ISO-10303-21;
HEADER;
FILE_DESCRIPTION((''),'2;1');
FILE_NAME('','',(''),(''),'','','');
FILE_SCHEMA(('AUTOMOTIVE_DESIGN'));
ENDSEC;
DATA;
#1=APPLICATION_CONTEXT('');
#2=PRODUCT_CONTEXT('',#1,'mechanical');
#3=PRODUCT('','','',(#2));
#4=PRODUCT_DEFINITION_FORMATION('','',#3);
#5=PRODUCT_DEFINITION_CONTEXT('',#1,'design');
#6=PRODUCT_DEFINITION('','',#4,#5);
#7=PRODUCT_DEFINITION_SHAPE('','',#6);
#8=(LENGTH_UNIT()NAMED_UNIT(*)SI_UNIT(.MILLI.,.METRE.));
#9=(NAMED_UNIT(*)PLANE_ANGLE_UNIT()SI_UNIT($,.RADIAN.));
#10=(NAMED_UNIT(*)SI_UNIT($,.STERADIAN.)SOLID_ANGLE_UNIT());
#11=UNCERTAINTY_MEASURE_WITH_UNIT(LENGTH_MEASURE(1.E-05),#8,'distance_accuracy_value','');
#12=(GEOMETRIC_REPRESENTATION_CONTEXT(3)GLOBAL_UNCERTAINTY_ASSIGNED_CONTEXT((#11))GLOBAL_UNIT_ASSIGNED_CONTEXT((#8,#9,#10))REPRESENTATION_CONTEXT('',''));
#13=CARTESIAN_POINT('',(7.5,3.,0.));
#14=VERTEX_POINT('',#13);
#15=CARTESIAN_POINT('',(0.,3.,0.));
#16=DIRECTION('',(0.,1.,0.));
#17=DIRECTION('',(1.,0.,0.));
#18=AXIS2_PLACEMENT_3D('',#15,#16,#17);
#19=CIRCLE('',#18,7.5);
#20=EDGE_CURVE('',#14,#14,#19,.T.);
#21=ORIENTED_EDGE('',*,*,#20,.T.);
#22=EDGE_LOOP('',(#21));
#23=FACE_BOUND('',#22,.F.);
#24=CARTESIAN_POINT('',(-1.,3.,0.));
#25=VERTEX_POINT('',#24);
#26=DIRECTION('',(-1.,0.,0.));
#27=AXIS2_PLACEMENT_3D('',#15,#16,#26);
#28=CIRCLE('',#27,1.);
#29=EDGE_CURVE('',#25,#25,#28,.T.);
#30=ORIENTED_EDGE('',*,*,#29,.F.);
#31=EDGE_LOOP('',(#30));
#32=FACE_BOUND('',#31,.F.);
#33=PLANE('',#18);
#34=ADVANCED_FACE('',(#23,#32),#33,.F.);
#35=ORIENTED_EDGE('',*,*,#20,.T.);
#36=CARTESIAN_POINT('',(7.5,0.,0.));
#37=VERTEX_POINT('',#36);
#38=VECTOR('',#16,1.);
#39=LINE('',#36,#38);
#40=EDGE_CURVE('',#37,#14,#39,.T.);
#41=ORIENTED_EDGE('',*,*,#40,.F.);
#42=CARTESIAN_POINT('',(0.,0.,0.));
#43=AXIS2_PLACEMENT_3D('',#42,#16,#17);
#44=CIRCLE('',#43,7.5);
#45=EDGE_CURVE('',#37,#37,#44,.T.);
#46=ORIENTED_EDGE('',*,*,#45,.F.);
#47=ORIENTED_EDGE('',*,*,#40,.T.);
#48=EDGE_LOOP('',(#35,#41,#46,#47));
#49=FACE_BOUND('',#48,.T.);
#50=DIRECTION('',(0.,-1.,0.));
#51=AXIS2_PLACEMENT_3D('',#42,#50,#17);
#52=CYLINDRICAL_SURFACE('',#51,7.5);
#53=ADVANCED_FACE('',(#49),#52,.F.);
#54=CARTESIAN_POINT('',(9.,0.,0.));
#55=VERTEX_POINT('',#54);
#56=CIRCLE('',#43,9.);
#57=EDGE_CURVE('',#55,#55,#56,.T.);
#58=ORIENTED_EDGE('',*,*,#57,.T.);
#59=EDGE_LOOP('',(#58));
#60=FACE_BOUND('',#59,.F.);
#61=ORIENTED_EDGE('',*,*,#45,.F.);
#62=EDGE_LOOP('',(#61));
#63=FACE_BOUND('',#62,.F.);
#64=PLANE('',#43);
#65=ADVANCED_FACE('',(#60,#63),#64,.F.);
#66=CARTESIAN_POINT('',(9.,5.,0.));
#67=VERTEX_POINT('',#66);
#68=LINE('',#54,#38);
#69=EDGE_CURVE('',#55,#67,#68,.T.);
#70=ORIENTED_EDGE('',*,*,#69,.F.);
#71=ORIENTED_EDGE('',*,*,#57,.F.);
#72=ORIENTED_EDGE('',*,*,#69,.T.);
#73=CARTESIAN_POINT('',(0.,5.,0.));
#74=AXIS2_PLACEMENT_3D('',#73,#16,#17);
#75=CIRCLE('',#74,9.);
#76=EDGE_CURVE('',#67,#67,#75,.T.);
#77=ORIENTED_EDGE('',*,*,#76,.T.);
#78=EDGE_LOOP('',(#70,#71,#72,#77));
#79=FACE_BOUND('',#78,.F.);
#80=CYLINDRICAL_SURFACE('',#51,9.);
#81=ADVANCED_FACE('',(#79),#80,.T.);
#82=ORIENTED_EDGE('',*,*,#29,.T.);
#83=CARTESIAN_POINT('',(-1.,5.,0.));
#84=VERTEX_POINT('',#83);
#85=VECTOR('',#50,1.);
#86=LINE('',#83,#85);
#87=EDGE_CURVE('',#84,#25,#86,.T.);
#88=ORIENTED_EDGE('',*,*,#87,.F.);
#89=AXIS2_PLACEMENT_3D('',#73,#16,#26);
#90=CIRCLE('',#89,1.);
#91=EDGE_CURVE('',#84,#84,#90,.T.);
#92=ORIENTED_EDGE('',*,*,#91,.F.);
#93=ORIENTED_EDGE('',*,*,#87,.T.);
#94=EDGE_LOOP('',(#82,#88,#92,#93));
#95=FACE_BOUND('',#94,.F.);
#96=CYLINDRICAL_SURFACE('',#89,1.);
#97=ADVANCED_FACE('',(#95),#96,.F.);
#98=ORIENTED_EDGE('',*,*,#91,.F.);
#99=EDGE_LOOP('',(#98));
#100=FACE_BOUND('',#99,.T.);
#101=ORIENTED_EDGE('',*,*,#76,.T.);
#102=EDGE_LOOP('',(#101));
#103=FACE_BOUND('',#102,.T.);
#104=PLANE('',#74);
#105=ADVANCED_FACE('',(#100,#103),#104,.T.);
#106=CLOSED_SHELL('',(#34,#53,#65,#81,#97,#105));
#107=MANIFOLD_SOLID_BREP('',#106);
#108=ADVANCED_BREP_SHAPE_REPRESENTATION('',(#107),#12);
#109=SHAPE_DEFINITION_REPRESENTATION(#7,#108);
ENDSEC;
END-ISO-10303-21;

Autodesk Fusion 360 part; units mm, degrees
sketch "Esquisse1" plane through (0, 0, 0) normal (0, 1, 0) x (1, 0, 0)
  circle A0 centre (0, 0) radius 9
  circle A1 centre (0, 0) radius 7.5
  dimension "d1" = 18
  dimension "d6" = 15
extrude "Extrusion2" add sketch "Esquisse1" along normal blind 5 contours A0 | A1
extrude "Extrusion3" cut sketch "Esquisse1" along normal blind 3 contours A1
sketch "Esquisse2" plane through (0, 5, 0) normal (0, 1, 0) x (-1, 0, 0)
  circle A0 centre (0, 0) radius 9
  circle A1 centre (0, 0) radius 1
  dimension "d9" = 2
extrude "Extrusion4" cut sketch "Esquisse2" against normal blind 3 contours A1
